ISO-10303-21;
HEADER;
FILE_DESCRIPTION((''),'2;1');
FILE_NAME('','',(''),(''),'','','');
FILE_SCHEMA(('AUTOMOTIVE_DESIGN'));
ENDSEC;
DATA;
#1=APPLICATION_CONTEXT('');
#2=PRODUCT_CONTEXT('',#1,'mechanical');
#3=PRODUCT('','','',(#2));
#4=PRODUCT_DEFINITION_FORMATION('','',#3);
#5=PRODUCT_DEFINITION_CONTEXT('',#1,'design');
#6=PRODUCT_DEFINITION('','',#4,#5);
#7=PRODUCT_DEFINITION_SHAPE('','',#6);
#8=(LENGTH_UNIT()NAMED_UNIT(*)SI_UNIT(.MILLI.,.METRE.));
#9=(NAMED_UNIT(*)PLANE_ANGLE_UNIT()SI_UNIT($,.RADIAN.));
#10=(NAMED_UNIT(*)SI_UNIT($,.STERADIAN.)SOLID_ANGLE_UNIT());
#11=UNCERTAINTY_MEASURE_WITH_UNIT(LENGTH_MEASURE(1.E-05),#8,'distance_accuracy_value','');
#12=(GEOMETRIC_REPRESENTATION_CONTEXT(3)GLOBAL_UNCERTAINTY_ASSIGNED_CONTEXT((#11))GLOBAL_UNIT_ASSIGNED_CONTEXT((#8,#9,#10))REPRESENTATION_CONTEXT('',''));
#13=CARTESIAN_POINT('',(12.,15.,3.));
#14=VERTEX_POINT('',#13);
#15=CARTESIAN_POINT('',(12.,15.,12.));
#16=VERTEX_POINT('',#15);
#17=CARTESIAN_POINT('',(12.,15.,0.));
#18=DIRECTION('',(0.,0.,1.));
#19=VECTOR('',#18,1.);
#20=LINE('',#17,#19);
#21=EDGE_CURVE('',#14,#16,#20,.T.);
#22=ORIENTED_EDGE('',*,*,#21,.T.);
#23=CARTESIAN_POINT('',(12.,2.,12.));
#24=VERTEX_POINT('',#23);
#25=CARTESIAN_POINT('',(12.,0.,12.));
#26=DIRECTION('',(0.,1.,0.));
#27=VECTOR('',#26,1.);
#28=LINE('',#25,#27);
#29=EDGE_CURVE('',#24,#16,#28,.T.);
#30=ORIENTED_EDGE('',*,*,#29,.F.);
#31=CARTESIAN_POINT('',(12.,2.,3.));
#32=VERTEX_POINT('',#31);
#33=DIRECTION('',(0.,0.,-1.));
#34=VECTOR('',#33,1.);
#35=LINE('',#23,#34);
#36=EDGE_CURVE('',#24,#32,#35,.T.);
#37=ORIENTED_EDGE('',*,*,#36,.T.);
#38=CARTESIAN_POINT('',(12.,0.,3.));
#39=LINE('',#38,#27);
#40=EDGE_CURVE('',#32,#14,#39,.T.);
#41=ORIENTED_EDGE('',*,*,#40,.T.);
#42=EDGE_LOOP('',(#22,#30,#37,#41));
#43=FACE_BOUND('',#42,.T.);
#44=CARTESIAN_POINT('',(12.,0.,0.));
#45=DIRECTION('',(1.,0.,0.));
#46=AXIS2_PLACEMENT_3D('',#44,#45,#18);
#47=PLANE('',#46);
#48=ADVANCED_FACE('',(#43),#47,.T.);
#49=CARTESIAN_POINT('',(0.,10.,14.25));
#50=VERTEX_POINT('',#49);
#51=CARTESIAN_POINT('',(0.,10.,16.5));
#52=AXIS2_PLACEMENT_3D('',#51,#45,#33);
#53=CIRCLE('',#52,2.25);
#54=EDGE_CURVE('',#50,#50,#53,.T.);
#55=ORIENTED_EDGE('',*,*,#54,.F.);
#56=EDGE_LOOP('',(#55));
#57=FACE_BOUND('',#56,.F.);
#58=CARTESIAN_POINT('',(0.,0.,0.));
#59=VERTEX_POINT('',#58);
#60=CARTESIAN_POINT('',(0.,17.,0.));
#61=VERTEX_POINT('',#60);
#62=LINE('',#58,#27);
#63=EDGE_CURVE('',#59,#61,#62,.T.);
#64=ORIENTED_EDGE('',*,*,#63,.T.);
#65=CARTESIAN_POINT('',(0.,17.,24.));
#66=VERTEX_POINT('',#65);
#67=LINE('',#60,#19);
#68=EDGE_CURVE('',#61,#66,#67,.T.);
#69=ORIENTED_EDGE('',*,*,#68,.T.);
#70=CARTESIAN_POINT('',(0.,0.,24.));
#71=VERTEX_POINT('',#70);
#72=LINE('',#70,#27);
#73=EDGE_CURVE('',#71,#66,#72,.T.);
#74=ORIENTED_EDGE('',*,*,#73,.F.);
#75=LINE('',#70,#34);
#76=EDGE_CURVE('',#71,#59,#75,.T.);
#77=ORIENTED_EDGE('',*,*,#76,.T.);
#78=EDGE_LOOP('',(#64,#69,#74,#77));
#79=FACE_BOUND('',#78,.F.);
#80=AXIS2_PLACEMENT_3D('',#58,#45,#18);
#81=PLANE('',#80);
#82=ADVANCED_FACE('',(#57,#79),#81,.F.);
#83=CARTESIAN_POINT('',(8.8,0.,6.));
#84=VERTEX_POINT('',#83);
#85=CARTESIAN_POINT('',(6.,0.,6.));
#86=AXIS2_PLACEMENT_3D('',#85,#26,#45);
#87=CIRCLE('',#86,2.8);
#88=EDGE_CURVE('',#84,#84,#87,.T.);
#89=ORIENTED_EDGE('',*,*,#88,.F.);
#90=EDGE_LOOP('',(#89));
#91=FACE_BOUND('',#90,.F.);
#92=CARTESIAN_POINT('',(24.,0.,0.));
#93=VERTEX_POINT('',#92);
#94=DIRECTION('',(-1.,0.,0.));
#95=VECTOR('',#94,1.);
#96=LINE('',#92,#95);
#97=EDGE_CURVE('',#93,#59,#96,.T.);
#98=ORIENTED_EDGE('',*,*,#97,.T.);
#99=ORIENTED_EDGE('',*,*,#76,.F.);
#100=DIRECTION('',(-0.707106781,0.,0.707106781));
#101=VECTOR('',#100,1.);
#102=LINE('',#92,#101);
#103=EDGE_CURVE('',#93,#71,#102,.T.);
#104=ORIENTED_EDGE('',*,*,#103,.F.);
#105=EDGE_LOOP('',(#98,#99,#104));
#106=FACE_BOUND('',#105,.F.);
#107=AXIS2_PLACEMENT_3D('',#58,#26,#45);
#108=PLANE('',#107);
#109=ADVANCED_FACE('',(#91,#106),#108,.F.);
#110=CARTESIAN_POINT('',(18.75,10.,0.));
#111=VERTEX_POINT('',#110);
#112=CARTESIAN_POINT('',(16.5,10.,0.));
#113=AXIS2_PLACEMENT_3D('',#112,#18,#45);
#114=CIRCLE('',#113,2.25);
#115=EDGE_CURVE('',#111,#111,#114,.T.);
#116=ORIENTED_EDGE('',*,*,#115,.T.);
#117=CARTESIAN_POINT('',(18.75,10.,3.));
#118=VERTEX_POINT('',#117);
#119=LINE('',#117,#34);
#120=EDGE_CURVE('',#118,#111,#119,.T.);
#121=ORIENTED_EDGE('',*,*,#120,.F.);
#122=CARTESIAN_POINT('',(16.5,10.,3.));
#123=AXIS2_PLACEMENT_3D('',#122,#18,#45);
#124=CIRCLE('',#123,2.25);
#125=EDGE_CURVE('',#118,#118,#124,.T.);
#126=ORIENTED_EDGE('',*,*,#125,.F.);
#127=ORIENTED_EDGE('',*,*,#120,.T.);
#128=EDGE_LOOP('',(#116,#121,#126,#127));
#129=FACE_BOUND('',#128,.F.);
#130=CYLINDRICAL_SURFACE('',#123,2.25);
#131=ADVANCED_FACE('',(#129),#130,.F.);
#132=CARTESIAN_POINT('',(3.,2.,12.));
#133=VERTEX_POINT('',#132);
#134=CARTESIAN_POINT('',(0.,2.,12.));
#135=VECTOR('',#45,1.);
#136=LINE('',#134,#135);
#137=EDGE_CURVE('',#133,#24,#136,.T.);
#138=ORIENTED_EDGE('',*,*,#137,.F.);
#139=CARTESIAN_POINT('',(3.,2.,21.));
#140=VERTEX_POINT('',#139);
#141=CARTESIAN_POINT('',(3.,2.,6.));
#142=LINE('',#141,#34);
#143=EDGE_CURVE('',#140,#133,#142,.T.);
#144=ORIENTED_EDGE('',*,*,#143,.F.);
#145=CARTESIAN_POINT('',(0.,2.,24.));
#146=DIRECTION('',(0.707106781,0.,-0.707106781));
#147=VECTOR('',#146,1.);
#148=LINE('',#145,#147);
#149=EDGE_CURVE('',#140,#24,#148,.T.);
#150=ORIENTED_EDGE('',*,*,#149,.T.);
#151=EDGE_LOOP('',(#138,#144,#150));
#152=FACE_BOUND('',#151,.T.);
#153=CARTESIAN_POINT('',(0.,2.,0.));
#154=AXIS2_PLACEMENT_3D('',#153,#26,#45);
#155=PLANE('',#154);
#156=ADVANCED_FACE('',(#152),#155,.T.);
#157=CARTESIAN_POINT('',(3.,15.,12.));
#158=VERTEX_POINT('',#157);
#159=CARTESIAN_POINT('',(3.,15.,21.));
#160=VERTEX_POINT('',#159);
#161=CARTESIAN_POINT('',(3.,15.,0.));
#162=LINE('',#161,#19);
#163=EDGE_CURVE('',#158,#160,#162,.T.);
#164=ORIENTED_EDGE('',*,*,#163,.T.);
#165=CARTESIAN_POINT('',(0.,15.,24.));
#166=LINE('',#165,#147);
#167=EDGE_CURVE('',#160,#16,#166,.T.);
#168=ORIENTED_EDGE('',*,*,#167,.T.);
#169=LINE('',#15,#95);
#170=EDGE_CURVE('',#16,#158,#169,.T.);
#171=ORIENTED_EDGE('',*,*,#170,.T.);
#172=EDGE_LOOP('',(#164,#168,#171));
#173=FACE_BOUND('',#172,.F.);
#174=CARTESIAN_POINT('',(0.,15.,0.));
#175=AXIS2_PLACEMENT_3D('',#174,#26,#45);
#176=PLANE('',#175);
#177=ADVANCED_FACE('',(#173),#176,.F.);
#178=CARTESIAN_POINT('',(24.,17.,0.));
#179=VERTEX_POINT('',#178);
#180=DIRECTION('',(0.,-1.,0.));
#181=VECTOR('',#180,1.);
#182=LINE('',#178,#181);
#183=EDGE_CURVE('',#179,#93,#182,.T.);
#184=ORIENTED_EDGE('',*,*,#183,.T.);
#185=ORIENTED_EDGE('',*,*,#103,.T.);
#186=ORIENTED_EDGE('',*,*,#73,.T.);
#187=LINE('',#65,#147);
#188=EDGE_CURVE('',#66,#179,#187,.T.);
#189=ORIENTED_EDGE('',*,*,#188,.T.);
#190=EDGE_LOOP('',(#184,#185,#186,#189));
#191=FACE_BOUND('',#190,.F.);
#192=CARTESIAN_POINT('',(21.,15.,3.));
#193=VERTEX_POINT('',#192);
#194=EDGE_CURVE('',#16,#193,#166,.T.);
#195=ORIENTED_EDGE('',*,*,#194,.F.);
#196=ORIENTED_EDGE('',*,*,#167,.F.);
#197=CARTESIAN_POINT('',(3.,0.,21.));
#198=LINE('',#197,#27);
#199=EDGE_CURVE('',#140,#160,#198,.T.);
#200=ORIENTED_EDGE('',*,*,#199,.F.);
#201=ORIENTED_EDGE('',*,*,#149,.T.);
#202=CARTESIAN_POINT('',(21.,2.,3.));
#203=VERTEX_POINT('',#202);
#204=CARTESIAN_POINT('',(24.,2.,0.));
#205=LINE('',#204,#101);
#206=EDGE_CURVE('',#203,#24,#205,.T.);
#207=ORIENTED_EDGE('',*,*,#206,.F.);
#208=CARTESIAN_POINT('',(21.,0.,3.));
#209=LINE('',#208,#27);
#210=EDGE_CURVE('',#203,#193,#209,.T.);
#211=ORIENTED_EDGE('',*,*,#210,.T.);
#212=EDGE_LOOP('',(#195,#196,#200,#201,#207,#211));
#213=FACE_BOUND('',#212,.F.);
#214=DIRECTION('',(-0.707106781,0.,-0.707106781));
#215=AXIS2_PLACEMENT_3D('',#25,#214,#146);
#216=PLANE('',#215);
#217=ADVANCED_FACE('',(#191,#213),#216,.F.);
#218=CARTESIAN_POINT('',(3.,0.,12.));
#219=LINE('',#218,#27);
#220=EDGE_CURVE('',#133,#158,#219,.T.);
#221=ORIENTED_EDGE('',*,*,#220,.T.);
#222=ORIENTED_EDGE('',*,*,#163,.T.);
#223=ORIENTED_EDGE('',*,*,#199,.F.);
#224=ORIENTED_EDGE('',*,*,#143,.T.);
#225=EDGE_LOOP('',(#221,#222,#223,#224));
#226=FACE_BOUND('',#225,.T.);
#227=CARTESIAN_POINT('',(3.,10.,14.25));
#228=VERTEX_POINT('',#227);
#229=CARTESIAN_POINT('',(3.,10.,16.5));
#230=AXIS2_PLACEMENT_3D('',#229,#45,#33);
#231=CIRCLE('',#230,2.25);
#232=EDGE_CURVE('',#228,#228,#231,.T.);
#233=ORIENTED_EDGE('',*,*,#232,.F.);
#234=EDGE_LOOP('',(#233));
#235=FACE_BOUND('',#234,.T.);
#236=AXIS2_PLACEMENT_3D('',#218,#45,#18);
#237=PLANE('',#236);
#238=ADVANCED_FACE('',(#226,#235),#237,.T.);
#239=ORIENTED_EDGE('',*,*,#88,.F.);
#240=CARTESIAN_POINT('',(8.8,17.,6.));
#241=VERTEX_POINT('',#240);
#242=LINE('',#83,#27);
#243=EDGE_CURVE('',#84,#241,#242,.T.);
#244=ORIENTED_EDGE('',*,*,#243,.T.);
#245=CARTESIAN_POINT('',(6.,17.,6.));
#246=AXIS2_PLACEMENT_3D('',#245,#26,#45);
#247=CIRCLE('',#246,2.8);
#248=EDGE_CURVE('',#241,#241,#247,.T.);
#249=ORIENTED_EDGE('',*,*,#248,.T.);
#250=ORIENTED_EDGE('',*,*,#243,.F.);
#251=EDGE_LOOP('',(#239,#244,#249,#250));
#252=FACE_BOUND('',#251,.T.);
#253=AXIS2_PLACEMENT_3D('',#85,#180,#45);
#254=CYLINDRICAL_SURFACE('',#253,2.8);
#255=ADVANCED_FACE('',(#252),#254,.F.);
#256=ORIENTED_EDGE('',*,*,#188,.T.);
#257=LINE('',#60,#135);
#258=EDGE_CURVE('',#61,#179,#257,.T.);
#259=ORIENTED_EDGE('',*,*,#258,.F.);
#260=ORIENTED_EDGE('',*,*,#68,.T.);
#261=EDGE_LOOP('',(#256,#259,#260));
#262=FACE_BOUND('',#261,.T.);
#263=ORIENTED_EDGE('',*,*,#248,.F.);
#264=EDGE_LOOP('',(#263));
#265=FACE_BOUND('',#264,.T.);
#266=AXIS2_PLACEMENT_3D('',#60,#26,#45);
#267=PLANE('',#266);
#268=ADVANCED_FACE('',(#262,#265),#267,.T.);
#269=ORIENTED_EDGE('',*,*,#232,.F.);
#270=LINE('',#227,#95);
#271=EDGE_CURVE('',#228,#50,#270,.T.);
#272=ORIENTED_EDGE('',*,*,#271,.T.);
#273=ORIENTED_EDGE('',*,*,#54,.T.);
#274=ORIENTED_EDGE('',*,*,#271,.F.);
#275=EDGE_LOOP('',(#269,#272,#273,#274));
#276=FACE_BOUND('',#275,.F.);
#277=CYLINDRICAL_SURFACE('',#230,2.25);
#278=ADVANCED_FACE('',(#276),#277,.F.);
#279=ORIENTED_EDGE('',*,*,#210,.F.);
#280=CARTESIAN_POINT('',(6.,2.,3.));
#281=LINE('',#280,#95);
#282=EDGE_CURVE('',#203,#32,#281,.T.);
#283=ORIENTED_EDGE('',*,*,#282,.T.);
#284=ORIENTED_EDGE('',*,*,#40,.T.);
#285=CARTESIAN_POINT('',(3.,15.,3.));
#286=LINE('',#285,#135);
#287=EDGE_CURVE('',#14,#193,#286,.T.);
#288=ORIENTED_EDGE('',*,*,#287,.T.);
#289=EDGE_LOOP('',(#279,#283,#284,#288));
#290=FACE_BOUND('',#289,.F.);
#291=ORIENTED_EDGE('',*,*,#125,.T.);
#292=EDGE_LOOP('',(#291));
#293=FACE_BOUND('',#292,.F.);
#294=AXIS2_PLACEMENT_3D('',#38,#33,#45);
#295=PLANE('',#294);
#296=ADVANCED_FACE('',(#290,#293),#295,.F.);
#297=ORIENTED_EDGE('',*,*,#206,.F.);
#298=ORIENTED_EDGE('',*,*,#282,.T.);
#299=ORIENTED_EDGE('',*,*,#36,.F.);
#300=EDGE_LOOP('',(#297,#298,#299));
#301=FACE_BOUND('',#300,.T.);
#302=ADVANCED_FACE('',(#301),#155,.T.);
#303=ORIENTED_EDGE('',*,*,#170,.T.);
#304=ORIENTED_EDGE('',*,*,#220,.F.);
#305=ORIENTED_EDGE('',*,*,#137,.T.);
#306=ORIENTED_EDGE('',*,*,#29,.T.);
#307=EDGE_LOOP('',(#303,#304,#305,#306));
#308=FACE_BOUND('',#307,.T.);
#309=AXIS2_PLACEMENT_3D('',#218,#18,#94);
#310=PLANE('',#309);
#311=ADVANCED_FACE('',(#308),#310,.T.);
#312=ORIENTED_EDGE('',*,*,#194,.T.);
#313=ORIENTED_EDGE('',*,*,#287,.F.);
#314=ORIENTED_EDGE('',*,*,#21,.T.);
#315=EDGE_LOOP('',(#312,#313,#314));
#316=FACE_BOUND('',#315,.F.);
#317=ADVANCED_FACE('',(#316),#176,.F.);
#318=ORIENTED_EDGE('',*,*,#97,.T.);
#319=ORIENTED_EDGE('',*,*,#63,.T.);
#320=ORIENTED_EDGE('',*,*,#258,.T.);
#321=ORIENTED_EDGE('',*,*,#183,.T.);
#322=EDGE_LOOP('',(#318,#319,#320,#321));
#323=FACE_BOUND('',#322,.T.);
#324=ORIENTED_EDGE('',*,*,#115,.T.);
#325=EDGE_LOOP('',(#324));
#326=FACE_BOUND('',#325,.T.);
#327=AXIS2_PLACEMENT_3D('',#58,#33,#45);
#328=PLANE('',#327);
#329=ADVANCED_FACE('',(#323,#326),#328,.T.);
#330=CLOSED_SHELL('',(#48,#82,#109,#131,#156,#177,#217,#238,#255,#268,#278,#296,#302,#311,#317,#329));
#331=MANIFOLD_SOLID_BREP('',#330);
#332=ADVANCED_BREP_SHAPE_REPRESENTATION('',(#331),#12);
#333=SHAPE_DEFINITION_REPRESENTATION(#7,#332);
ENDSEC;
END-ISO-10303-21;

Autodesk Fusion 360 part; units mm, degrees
sketch "Sketch1" plane through (0, 0, 0) normal (0, 1, 0) x (1, 0, 0)
  line L0 (0, 0) -> (24, 0)
  line L1 (0, 0) -> (0, -24)
  circle A0 centre (6, -6) radius 2.8
  line L2 (0, -24) -> (24, 0)
  line L3 (0, 0) -> (12, 0)
  line L4 (12, 0) -> (12, -12)
  line L5 (12, -12) -> (0, -12)
  line L6 (0, -12) -> (0, 0)
  line L7 (3, 0) -> (3, -23)
  line L8 (3, -3) -> (21, -3)
  dimension "d3" = 5.6
  dimension "d4" = 6
  dimension "d5" = 6
  dimension "d6" = 12
  dimension "d7" = 12
  dimension "d14" = 3
  dimension "d15" = 3
extrude "Extrude1" add sketch "Sketch1" along normal blind 17 contours L0 L1 L3 L5 L6 L7 | L0 L3 L4 L7 L8 | L4 L5 L7 L8
extrude "Extrude2" add sketch "Sketch1" along normal blind 2 contours L1 L2 L5 L7 | L0 L2 L4 L8 | L2 L5 L7 | L2 L4 L8
extrude "Extrude3" add sketch "Sketch1" along normal blind 17 contours L1 L2 L5 L7 | L0 L2 L4 L8
extrude "Extrude4" add sketch "Sketch1" against normal blind 2 from surface at 17 contours L2 L5 L7 | L2 L4 L8
sketch "Sketch2" plane through (0, 0, 3) normal (0, 0, 1) x (1, 0, 0)
  line L0 (21, 15) -> (12, 15)
  line L1 (12, 15) -> (12, 2)
  line L2 (12, 2) -> (21, 2)
  line L3 (21, 2) -> (21, 15)
  line L4 (12, 10) -> (21, 10) construction
  circle A0 centre (16.5, 10) radius 2.25
  point P0 (12, 10)
  point P1 (12, 8.5)
  dimension "d21" = 1.5
  dimension "d22" = 4.5
extrude "Extrude5" cut sketch "Sketch2" against normal through all contours A0
sketch "Sketch3" plane through (3, 0, 0) normal (1, 0, 0) x (0, 0, -1)
  line L0 (-12, 15) -> (-21, 15)
  line L1 (-21, 15) -> (-21, 2)
  line L2 (-21, 2) -> (-12, 2)
  line L3 (-12, 2) -> (-12, 15)
  line L4 (-12, 10) -> (-21, 10) construction
  circle A0 centre (-16.5, 10) radius 2.25
  point P0 (-12, 8.5)
  point P1 (-12, 10)
  dimension "d25" = 1.5
  dimension "d26" = 4.5
extrude "Extrude6" cut sketch "Sketch3" against normal through all contours A0
equation "d8 = 20 mm - 3 mm"
